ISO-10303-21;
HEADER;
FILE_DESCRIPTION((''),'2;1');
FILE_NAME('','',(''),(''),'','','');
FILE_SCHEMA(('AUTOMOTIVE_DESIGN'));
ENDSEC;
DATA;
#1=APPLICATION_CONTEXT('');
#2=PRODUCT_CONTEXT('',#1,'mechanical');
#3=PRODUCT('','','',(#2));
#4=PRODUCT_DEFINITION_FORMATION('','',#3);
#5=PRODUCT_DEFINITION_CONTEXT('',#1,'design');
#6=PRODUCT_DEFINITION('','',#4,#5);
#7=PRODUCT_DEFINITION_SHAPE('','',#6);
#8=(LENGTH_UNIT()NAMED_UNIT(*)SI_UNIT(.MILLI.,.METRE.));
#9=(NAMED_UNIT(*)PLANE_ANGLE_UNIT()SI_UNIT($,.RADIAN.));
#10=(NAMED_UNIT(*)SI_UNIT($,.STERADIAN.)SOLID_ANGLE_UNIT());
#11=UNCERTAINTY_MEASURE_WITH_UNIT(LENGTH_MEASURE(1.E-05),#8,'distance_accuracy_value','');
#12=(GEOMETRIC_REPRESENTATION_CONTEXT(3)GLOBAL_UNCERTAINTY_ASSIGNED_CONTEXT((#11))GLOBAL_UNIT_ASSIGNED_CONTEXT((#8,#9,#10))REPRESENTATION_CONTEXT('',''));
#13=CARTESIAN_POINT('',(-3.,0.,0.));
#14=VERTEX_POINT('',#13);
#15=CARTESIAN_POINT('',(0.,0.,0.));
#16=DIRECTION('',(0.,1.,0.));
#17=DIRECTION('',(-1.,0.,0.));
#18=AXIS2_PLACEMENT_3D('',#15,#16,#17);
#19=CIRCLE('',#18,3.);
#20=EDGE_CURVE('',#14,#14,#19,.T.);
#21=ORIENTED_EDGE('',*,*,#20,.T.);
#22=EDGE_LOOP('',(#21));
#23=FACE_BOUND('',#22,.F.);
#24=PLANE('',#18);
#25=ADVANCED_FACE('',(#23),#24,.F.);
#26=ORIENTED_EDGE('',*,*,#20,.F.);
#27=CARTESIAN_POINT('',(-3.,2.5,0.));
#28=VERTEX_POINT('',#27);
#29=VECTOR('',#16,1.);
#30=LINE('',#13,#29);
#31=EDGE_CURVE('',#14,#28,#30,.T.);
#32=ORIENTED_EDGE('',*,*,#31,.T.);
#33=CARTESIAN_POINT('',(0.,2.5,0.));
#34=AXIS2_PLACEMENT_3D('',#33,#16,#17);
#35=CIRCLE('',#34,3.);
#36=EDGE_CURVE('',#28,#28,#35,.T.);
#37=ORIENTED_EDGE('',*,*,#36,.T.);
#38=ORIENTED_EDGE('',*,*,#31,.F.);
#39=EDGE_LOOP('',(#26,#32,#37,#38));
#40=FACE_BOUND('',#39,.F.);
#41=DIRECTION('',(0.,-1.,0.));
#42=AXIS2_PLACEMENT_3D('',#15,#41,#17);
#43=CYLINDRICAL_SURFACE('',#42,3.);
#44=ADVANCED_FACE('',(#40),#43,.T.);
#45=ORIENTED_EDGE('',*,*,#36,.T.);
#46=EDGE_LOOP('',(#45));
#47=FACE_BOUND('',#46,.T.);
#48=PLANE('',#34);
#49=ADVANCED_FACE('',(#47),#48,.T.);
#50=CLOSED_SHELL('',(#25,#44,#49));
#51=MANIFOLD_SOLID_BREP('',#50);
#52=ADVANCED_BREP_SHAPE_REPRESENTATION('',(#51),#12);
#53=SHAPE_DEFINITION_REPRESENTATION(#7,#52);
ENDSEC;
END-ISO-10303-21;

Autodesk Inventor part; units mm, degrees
ref_plane "YZ Plane" through (0, 0, 0) normal (1, 0, 0) x (0, 1, 0)
ref_plane "XZ Plane" through (0, 0, 0) normal (0, 1, 0) x (-1, 0, 0)
ref_plane "XY Plane" through (0, 0, 0) normal (0, 0, 1) x (1, 0, 0)
sketch "Sketch1" plane through (0, 0, 0) normal (0, 1, 0) x (-1, 0, 0)
  circle A0 centre (0, 0) radius 3
  dimension "d0" = 6
extrude "Extrusion1" add sketch "Sketch1" along normal blind 2.5
properties part number "ma"
